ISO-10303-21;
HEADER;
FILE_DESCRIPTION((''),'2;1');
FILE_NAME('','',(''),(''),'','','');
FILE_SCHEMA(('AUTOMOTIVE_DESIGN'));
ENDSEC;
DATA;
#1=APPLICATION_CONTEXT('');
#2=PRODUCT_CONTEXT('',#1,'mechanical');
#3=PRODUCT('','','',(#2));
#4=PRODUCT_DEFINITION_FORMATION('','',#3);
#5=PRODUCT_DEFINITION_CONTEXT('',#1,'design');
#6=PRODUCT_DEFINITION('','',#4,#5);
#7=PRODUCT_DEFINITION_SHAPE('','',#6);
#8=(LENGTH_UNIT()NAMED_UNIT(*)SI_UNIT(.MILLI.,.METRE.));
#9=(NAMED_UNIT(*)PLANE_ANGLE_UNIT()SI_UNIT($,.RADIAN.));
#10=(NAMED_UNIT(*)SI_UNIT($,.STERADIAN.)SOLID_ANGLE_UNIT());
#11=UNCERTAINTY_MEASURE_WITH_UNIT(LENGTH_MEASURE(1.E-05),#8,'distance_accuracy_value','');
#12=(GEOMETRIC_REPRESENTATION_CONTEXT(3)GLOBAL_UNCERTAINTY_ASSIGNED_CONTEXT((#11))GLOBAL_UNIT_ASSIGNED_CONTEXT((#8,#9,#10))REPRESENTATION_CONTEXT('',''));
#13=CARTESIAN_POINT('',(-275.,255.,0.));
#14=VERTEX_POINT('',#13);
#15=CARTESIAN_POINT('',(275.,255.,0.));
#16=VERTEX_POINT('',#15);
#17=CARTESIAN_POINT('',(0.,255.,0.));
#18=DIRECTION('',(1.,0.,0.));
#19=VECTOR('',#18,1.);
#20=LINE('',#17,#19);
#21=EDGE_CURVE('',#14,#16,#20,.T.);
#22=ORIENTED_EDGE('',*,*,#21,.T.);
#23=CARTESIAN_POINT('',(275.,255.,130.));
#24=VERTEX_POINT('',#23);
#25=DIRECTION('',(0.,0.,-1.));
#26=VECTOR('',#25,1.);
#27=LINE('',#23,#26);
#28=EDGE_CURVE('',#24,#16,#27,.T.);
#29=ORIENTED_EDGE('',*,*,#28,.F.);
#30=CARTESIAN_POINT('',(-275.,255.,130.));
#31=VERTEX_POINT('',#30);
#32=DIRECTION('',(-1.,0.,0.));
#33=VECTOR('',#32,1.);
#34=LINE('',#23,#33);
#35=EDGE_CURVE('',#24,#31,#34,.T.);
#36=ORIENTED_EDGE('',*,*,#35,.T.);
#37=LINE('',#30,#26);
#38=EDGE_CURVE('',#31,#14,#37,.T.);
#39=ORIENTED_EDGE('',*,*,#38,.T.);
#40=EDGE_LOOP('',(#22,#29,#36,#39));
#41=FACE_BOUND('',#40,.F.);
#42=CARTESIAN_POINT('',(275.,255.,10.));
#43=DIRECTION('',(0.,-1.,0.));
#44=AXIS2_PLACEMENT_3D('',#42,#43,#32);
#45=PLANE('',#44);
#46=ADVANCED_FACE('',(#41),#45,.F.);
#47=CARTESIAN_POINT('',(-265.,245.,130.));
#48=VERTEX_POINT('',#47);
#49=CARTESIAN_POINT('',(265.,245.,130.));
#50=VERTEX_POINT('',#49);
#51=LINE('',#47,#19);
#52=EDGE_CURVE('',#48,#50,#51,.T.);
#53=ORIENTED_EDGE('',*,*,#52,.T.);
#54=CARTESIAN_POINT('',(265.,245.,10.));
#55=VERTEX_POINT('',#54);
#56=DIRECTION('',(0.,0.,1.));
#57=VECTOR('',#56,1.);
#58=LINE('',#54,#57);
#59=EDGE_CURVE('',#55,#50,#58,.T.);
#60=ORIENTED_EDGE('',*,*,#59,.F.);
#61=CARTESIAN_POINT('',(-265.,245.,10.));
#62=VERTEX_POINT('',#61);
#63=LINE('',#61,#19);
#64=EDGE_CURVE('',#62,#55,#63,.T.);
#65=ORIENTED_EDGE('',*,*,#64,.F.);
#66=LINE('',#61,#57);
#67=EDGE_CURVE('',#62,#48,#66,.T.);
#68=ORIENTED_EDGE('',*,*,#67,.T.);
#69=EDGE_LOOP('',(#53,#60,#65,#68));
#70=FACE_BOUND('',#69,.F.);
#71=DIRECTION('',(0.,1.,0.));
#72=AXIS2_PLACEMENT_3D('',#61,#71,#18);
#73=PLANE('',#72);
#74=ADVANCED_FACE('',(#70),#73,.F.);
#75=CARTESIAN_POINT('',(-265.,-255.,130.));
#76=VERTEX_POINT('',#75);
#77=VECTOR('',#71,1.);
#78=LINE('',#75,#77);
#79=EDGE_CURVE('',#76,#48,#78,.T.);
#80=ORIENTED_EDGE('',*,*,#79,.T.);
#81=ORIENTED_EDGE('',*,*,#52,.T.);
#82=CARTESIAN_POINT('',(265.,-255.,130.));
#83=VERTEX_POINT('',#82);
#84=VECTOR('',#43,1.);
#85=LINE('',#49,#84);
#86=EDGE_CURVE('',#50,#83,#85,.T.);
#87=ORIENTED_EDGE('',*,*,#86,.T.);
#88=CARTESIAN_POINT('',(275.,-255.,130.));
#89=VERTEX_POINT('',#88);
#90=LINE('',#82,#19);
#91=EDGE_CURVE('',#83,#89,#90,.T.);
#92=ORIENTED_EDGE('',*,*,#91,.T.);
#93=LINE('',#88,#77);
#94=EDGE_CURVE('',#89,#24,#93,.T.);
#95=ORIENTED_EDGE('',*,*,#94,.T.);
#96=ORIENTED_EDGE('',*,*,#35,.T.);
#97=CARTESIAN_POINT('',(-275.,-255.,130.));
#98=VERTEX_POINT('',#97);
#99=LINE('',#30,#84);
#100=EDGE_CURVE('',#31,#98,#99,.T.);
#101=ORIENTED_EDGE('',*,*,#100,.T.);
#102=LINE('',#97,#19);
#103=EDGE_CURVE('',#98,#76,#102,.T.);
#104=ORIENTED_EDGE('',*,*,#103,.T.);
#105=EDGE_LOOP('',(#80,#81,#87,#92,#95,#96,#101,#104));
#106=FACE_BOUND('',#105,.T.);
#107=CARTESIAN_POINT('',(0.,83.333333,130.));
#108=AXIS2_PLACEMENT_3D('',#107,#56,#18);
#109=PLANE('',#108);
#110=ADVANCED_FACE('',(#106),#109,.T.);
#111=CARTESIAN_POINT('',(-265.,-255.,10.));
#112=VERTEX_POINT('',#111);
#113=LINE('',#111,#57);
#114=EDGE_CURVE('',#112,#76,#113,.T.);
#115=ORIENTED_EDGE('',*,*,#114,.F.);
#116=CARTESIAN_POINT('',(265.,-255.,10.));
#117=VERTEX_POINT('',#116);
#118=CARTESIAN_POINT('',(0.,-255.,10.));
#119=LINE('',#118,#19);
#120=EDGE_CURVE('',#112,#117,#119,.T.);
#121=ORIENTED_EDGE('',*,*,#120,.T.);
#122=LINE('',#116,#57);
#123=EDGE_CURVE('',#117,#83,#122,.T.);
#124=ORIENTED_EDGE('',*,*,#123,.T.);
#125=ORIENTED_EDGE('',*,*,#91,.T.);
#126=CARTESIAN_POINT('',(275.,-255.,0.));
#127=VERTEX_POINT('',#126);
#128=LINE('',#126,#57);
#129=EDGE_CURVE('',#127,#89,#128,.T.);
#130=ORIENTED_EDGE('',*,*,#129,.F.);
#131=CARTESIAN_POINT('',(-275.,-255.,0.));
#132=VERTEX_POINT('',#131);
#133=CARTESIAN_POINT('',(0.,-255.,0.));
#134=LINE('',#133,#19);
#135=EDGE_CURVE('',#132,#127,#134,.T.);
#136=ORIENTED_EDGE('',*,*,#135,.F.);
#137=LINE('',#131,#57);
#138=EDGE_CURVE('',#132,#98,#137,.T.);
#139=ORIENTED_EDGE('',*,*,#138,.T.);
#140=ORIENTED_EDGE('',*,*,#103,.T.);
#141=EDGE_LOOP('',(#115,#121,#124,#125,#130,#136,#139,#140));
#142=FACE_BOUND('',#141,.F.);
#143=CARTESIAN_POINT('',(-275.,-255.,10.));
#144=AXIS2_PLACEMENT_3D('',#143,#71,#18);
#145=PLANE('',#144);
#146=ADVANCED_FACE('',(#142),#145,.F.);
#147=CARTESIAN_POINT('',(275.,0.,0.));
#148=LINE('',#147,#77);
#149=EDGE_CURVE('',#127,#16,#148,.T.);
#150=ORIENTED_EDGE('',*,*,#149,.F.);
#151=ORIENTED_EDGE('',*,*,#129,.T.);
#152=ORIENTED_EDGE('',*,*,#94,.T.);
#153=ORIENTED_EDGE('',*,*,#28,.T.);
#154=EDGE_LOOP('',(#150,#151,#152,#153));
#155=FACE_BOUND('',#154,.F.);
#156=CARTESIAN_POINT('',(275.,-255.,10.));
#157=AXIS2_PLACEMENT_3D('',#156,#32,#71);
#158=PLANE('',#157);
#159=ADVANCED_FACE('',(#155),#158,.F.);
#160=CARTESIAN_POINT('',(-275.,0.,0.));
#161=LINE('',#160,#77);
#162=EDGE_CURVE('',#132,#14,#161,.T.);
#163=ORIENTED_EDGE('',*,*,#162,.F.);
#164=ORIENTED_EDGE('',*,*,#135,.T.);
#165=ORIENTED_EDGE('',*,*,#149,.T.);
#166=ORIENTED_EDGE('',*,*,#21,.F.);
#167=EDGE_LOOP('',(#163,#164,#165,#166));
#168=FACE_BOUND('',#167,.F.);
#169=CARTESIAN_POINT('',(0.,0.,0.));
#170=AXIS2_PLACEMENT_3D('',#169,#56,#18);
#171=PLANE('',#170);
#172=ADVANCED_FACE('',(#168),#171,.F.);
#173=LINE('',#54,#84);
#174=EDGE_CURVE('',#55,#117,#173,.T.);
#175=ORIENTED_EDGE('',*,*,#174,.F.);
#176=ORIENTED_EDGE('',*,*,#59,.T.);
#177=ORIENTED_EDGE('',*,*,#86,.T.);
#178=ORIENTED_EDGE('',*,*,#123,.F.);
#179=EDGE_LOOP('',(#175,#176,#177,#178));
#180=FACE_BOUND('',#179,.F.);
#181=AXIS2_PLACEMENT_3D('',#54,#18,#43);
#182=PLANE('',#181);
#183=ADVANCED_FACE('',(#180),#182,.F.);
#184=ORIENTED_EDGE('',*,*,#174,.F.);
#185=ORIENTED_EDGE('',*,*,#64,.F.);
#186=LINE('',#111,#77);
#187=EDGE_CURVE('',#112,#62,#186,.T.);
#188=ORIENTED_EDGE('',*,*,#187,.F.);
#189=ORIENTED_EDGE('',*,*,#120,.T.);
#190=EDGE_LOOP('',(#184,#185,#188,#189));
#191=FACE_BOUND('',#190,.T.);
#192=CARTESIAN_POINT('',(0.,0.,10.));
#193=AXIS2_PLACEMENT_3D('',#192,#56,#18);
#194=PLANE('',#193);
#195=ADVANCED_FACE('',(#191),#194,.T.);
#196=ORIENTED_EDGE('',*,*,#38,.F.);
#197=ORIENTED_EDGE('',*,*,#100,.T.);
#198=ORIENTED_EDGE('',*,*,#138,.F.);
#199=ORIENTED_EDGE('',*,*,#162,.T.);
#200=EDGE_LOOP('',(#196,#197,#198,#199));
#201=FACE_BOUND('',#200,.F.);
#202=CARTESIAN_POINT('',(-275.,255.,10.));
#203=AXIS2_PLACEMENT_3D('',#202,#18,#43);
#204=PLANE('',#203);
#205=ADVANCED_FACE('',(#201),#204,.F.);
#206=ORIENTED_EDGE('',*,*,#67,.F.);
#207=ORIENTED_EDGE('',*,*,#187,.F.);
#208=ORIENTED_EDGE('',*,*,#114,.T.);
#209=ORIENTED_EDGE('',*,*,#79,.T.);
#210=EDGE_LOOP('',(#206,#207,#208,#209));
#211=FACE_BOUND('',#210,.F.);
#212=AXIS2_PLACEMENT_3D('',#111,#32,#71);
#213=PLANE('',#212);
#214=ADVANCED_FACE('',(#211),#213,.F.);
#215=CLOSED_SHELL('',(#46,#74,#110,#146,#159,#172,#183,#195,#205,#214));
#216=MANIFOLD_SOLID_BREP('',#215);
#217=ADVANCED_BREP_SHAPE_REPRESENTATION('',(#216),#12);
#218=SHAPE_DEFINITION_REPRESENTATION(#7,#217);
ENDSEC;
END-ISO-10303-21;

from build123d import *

# Parameters (mm, degrees)
F0_W     = 550
F0_H     = 510
F1_DEPTH = 10
F3_DEPTH = 120


with BuildPart() as f1:
    # F0 (on Top) → F1 (new body)
    with BuildSketch(Plane.XY):
        Rectangle(F0_W, F0_H)
    extrude(amount=F1_DEPTH)

    # F2 (on face) → F3 (join)
    with BuildSketch(Plane.XY.offset(10)):
        Polygon((-275, 255), (-275, -255), (-265, -255), (-265, 245), (265, 245), (265, -255), (275, -255), (275, 255), align=None)
    extrude(amount=F3_DEPTH)


solid = f1.part
